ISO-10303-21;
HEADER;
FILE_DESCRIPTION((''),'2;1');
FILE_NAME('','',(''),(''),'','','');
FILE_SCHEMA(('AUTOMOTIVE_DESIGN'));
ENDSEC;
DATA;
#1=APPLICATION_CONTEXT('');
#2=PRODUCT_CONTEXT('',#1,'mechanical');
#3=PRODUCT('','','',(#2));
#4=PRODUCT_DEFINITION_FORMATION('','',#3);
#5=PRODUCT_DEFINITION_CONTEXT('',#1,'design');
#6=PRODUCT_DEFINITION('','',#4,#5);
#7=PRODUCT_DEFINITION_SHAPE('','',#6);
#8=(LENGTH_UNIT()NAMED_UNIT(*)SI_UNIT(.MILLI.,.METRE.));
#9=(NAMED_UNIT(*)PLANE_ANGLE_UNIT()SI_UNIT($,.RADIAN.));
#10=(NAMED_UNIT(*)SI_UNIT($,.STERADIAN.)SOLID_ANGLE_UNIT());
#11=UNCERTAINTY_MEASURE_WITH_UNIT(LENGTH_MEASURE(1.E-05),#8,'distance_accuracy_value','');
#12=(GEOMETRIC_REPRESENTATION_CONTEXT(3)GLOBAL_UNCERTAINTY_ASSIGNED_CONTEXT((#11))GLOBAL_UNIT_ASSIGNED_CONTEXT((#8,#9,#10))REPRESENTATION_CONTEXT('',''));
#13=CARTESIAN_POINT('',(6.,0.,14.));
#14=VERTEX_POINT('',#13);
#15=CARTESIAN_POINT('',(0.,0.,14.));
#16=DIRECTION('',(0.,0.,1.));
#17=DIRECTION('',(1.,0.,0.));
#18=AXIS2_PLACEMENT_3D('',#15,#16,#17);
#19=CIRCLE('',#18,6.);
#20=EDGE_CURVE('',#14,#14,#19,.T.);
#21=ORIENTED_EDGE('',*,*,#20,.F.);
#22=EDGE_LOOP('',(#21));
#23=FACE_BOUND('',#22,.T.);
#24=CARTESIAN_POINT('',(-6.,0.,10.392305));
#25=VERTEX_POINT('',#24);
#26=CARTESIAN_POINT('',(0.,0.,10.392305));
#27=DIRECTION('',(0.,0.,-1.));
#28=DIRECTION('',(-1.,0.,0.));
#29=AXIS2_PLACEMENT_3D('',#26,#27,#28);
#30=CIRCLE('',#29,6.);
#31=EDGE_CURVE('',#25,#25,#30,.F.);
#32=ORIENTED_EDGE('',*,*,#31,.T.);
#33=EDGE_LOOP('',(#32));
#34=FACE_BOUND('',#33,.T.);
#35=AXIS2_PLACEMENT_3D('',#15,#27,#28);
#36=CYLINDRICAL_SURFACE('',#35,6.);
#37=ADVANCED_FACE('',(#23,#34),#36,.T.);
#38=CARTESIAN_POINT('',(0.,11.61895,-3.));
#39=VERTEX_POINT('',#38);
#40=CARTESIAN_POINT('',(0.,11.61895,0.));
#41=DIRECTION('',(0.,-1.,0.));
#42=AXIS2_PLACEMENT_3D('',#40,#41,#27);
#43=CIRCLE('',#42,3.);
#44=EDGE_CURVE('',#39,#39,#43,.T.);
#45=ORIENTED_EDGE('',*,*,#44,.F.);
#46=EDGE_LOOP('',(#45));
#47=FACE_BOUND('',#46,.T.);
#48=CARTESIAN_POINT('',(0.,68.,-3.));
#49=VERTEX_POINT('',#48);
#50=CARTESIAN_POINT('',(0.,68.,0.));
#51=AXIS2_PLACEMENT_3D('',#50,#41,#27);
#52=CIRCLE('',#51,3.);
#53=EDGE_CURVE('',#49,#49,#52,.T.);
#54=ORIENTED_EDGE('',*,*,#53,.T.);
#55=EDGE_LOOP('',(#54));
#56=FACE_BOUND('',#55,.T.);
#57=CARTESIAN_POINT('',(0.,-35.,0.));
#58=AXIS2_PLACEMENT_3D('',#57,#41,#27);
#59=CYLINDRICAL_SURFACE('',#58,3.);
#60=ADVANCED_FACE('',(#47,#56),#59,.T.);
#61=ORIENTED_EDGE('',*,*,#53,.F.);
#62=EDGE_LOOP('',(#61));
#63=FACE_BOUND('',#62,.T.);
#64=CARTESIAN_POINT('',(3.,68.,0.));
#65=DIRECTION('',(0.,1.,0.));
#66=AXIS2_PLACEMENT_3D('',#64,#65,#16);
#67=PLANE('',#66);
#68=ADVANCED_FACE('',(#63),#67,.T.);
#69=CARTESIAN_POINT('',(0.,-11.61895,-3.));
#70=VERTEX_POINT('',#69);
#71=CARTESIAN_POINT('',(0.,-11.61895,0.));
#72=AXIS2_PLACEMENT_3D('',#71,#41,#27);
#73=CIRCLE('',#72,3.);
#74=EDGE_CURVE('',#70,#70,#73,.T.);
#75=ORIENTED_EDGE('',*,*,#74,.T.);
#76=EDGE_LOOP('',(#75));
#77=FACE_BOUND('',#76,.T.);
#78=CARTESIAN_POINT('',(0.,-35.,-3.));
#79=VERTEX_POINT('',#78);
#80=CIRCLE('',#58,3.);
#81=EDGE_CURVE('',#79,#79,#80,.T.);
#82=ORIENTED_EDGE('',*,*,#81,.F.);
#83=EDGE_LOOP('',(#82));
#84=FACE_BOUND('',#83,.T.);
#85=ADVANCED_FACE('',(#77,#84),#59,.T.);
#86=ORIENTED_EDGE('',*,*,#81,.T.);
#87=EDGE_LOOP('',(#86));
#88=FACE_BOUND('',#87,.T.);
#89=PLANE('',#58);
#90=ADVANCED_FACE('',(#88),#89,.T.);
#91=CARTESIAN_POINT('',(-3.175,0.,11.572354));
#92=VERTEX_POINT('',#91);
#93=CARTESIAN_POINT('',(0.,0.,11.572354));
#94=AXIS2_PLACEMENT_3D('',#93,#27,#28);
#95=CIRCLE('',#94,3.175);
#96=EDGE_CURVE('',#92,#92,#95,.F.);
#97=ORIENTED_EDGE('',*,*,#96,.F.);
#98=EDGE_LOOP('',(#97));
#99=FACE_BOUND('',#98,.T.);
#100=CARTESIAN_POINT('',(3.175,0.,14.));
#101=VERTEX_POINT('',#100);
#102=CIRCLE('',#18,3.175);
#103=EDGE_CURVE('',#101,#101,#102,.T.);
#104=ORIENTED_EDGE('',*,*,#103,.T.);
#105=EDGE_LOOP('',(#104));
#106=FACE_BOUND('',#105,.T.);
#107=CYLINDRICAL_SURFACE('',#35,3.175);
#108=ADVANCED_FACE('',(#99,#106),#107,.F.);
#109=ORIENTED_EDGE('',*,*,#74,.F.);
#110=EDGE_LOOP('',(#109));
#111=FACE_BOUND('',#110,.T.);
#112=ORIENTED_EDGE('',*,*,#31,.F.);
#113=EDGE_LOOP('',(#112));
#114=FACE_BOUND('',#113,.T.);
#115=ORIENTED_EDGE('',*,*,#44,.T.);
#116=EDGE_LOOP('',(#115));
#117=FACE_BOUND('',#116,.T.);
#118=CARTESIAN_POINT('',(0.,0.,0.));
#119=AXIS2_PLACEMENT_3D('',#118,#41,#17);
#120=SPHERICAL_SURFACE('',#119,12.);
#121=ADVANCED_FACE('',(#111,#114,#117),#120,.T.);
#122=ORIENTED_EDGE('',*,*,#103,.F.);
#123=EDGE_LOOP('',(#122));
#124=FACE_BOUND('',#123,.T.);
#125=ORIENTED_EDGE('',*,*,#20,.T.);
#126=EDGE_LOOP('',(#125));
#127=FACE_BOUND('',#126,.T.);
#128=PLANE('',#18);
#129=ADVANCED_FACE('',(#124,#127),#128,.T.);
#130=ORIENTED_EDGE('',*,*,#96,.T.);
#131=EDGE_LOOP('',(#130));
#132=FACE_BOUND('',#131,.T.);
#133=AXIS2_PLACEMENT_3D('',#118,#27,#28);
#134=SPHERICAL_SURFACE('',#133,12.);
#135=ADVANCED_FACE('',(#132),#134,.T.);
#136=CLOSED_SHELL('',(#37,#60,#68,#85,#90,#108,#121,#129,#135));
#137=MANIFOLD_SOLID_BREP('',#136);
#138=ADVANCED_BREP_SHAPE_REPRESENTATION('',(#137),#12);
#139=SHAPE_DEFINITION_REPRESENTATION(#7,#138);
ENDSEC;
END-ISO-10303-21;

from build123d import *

# Parameters (mm, degrees)
BOSS_EXTRUDE1_START = 7
SKETCH1_R           = 6
SKETCH1_R_2         = 3.175
BOSS_EXTRUDE1_DEPTH = 7


with BuildPart() as part:
    # Sketch1 → Boss-Extrude1 (new body)
    with BuildSketch(Plane.XY.offset(BOSS_EXTRUDE1_START)):
        Circle(SKETCH1_R)
        Circle(SKETCH1_R_2, mode=Mode.SUBTRACT)
    extrude(amount=BOSS_EXTRUDE1_DEPTH)

    # Sketch2 → Revolve1 (revolve)
    with BuildSketch(Plane.XY, mode=Mode.PRIVATE) as revolve1_sk:
        with BuildLine():
            Line((0, -35), (3, -35))
            Line((3, -35), (3, -11.618950039))
            ThreePointArc((3, -11.618950039), (12, 0), (3, 11.618950039))
            Line((3, 11.618950039), (3, 68))
            Line((3, 68), (0, 68))
            Line((0, 68), (0, -35))
        make_face()
    revolve(revolve1_sk.sketch.rotate(Axis((0, -35, 0), (0, 1, 0)), 90), axis=Axis((0, -35, 0), (0, 1, 0)))


solid = part.part
